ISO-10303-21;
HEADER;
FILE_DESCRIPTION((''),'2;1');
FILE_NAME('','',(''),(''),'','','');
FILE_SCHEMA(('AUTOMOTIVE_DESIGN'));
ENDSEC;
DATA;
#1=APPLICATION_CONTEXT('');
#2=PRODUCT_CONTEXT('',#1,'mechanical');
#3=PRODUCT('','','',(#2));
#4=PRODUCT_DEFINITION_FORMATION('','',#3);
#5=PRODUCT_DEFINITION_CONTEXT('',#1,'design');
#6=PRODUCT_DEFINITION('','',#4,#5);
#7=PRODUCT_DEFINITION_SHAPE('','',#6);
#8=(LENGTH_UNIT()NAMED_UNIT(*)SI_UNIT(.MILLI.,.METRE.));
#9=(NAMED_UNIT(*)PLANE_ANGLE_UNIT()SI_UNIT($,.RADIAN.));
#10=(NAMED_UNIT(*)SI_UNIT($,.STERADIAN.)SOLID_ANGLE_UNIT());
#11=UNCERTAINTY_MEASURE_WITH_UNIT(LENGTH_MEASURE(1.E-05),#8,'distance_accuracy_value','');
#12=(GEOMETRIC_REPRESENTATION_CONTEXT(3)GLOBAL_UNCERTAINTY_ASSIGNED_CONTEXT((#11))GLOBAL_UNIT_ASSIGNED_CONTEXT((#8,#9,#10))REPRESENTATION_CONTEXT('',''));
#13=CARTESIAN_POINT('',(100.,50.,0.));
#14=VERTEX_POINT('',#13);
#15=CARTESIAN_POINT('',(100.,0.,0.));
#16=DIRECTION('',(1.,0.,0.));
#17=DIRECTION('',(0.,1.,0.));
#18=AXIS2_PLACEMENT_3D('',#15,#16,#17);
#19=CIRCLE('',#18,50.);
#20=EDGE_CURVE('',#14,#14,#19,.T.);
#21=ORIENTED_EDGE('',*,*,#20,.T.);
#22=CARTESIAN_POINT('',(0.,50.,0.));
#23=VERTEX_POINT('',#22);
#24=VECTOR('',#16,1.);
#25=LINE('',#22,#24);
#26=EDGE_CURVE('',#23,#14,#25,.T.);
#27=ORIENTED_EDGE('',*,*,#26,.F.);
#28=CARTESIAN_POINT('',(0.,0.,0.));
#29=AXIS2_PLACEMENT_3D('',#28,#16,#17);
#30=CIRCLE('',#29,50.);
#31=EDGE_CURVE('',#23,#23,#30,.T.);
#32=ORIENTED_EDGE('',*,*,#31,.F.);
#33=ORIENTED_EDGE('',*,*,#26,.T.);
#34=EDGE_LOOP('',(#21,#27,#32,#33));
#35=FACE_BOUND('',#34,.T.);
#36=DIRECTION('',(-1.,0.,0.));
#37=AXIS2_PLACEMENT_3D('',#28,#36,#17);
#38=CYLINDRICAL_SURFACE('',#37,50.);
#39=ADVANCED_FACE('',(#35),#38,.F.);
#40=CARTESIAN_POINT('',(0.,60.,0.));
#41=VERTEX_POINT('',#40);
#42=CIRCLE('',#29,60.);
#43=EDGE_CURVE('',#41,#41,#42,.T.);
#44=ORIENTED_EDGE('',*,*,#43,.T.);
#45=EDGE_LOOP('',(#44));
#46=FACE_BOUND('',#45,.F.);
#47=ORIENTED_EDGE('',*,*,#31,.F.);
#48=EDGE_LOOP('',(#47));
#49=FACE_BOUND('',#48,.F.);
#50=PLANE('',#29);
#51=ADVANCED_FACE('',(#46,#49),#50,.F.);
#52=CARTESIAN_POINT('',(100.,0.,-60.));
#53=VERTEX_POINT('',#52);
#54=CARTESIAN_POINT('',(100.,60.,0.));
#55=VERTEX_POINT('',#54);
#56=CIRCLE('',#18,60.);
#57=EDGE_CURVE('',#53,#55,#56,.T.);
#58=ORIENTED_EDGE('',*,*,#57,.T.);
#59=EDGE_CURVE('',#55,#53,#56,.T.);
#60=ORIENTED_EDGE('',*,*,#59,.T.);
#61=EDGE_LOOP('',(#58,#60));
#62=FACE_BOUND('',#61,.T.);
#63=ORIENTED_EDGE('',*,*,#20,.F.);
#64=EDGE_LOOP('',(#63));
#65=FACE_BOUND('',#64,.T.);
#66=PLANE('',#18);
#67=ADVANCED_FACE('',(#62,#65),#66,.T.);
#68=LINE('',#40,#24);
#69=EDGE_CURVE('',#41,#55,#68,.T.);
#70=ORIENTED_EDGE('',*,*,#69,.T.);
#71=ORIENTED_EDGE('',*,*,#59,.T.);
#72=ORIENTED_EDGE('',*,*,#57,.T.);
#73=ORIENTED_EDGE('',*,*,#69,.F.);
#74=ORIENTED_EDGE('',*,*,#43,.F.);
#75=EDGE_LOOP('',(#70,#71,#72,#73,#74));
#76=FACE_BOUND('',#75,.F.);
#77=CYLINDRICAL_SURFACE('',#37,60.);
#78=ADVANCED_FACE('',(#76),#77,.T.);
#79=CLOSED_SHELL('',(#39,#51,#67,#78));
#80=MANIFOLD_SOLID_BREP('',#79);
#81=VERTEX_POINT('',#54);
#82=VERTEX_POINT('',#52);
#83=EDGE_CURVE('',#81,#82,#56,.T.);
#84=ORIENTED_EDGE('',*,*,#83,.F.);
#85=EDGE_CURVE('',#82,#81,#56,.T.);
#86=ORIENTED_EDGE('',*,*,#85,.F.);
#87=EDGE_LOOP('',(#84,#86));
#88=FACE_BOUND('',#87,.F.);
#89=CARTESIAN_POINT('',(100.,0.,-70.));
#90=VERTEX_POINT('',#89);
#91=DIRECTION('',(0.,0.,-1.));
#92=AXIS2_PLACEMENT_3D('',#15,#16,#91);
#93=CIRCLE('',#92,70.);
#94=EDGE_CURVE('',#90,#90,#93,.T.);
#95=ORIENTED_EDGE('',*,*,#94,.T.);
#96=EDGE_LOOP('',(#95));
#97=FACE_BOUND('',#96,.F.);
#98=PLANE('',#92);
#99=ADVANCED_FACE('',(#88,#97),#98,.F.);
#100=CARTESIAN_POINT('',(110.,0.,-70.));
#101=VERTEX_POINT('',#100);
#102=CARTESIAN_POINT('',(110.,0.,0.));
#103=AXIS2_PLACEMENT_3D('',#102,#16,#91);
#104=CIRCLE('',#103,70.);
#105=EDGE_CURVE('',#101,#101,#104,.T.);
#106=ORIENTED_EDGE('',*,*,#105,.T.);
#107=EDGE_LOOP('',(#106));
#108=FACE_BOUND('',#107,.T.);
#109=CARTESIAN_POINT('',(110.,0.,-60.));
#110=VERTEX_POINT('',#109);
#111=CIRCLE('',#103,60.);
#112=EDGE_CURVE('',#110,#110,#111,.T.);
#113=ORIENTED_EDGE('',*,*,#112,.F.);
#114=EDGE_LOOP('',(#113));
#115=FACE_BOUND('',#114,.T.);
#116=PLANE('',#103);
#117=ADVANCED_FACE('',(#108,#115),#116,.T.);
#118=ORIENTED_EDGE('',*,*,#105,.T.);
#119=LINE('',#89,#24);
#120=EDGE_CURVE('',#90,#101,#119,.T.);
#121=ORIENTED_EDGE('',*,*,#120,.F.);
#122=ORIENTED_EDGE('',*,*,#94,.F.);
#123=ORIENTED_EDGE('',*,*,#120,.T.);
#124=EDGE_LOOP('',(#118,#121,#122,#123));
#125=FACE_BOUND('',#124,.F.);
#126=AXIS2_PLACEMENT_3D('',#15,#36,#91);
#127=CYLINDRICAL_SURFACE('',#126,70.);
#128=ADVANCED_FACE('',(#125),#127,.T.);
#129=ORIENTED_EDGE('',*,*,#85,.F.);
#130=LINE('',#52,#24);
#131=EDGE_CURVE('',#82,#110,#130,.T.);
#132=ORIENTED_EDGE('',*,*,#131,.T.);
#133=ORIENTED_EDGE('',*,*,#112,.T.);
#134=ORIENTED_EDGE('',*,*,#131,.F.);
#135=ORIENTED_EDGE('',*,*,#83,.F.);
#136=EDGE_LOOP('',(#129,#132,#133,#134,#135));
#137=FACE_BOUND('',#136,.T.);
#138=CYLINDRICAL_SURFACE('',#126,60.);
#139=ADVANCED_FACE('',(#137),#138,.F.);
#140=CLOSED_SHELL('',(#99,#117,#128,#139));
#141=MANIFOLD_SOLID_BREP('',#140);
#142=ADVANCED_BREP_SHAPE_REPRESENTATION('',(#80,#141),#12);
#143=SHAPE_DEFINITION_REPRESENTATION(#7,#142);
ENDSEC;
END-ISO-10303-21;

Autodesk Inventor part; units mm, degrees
ref_plane "YZ Plane" through (0, 0, 0) normal (1, 0, 0) x (0, 1, 0)
ref_plane "XZ Plane" through (0, 0, 0) normal (0, 1, 0) x (-1, 0, 0)
ref_plane "XY Plane" through (0, 0, 0) normal (0, 0, 1) x (1, 0, 0)
sketch "Sketch1" plane through (0, 0, 0) normal (1, 0, 0) x (0, 1, 0)
  point P0 (0, 0)
sketch "Sketch2" plane through (0, 0, 0) normal (1, 0, 0) x (0, 1, 0)
  circle A0 centre (0, 0) radius 50
  circle A1 centre (0, 0) radius 60
  dimension "d0" = 100
  dimension "d1" = 120
extrude "Extrusion1" add sketch "Sketch2" along normal blind 100
sketch "Sketch3" plane through (100, 0, 0) normal (1, 0, 0) x (0, 0, -1)
  circle A0 centre (0, 0) radius 60
  circle A1 centre (0, 0) radius 70
  dimension "d4" = 120
  dimension "d5" = 140
extrude "Extrusion2" add sketch "Sketch3" along normal blind 10
properties part number "3_Ong_lot_truc_I"
